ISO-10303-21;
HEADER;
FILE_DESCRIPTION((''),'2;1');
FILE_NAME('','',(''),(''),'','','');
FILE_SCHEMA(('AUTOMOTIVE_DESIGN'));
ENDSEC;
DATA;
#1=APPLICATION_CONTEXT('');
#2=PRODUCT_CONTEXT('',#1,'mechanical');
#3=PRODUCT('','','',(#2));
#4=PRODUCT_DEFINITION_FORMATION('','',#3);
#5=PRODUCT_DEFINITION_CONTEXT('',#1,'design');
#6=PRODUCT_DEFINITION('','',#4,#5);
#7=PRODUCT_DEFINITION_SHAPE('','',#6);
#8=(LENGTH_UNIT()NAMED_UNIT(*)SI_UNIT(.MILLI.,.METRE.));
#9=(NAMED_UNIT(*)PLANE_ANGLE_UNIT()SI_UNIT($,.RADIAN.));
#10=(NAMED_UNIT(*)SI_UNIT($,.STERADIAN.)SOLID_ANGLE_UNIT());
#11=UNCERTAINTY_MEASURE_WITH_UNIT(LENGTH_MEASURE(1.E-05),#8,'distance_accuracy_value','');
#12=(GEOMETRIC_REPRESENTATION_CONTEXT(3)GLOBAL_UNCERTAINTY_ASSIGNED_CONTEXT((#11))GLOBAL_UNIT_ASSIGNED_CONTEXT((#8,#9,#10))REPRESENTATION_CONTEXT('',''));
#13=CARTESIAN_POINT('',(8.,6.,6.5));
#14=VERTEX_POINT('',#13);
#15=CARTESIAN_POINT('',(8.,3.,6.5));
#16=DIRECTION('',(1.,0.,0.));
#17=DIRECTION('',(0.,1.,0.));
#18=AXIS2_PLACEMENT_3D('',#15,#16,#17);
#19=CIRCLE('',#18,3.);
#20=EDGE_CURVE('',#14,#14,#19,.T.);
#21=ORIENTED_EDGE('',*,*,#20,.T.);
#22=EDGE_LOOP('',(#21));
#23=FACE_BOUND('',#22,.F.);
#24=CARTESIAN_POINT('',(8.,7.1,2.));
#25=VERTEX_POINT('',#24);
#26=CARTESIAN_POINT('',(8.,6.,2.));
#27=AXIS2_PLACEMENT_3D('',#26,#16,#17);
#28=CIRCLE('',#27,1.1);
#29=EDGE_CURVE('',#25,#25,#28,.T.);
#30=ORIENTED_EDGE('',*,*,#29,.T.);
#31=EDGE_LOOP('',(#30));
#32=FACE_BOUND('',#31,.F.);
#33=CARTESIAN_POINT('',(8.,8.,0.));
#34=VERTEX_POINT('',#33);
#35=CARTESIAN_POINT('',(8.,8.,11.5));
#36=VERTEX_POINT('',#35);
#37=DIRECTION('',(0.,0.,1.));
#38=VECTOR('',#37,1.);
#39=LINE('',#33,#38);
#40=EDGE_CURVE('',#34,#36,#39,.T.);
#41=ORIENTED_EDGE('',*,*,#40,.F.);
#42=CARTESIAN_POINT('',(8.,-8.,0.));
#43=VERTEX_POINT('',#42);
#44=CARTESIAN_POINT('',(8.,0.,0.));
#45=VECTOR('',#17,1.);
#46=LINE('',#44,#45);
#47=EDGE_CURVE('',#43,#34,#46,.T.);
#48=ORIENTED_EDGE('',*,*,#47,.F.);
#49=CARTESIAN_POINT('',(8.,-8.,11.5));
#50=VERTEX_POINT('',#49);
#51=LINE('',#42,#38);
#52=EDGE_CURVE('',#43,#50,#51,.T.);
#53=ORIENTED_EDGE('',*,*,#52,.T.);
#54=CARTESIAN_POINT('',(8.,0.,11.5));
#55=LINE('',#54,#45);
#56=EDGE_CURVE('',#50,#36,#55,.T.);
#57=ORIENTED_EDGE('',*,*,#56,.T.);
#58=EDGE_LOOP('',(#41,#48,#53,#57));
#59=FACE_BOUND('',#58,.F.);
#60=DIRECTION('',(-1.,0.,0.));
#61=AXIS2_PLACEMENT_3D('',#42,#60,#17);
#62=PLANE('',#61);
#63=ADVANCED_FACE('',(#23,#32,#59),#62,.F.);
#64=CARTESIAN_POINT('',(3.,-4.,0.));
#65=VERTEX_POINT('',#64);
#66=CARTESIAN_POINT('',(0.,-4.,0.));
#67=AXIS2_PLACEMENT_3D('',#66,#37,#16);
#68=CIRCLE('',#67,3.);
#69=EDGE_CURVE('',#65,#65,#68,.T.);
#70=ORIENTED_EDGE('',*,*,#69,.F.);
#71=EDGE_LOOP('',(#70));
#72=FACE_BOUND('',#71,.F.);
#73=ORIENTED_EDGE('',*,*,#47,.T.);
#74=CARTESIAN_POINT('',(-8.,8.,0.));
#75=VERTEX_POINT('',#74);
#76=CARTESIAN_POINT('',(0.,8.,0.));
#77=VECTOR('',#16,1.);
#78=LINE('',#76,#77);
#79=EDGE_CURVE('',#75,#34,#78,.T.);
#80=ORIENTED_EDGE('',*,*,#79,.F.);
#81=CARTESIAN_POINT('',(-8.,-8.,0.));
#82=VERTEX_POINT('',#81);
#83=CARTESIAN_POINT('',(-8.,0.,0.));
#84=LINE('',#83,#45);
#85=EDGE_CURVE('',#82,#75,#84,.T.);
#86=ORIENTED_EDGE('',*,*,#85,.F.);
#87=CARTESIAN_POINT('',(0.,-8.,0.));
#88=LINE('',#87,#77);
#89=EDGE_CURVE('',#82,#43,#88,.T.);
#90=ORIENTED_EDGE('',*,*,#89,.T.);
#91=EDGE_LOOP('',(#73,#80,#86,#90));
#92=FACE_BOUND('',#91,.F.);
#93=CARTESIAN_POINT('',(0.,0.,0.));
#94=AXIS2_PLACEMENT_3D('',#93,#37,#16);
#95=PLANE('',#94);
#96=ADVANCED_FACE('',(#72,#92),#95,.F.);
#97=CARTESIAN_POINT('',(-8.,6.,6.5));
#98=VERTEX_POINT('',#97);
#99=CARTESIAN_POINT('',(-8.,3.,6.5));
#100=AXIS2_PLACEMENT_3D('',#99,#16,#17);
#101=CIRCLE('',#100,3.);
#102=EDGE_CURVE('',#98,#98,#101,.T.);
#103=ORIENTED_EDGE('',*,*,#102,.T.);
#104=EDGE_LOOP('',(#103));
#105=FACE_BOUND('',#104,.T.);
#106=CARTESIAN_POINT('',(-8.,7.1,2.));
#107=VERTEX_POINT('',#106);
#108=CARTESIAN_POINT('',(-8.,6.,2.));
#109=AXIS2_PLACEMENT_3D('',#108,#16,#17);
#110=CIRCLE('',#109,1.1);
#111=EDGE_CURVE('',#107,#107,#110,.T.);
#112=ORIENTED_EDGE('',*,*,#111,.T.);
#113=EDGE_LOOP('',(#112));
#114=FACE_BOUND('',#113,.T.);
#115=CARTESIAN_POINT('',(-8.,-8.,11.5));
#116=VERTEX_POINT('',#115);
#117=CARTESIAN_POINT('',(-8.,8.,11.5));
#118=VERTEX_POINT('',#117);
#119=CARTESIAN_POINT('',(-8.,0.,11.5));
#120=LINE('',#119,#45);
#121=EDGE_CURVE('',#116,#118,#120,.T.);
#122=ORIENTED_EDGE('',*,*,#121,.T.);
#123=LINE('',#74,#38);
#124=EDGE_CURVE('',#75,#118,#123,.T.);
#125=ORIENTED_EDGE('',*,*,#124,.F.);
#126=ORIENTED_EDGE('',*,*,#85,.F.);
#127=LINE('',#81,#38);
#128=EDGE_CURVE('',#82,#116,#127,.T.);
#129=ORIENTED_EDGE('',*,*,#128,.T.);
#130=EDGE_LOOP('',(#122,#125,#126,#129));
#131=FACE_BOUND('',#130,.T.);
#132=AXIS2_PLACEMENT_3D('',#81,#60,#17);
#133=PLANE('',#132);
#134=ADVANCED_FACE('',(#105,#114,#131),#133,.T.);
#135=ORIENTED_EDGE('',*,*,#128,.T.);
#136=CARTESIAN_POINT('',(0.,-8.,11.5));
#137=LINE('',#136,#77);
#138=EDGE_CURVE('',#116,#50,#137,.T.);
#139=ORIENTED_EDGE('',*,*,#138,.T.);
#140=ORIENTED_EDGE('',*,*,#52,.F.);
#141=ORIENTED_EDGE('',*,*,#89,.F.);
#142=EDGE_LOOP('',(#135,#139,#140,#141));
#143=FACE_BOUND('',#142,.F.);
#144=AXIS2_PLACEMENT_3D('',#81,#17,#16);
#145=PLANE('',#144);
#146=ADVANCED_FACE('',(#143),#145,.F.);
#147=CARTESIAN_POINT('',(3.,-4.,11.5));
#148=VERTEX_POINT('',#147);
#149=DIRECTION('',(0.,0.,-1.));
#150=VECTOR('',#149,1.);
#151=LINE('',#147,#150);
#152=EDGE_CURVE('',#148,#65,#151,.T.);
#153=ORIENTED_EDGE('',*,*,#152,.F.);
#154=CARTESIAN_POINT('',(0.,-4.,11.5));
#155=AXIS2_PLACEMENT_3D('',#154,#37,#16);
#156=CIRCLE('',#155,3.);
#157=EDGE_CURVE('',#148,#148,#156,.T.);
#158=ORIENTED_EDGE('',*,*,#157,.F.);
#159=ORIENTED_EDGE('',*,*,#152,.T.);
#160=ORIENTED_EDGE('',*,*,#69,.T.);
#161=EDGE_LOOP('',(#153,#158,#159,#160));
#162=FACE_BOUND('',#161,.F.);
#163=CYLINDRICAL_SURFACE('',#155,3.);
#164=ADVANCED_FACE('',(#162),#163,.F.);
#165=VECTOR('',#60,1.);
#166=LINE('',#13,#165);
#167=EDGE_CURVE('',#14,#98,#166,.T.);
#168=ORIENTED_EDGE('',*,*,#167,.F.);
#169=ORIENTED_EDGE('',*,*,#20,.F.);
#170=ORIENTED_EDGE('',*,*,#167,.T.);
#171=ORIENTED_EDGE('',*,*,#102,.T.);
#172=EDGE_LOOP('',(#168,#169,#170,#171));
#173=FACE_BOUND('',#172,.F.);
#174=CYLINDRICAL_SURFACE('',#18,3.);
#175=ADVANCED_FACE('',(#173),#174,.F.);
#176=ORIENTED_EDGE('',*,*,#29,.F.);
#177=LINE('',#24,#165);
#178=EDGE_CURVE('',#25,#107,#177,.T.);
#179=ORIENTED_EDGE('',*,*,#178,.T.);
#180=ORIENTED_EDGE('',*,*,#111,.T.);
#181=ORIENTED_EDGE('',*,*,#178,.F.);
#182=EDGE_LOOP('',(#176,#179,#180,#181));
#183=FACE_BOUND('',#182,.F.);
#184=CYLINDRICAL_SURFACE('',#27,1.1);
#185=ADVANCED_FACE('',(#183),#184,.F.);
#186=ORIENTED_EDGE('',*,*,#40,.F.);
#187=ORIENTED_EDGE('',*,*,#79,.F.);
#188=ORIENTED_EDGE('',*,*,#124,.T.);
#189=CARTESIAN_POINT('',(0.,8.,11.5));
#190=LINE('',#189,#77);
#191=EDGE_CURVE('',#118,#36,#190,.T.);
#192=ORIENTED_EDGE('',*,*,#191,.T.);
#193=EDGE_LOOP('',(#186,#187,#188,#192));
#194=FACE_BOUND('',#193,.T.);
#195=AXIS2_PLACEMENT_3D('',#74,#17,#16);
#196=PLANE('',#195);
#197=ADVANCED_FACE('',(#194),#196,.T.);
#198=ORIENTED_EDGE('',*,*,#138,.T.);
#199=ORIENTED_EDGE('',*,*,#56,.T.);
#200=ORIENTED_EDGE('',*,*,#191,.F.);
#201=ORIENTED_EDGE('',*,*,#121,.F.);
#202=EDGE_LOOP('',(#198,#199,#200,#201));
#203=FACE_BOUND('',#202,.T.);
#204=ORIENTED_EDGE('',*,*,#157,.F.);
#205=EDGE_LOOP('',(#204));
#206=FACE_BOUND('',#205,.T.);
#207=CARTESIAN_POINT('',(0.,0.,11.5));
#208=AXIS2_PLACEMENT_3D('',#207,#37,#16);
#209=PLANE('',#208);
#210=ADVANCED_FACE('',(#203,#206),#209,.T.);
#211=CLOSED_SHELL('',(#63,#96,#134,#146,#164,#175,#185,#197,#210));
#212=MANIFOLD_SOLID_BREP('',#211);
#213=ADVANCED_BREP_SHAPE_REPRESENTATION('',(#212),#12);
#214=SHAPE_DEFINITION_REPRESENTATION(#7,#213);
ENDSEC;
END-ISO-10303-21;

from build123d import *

# Parameters (mm, degrees)
F0_W     = 16
F0_H     = 16
F1_DEPTH = 11.5
F2_R     = 3
F3_DEPTH = 25
F4_R     = 3
F4_R_2   = 1.1
F5_DEPTH = 16.001


with BuildPart() as f1:
    # F0 (on Top) → F1 (new body)
    with BuildSketch(Plane.XY):
        Rectangle(F0_W, F0_H)
    extrude(amount=F1_DEPTH)

    # F2 (on face) → F3 (cut)
    with BuildSketch(Plane.XY.offset(11.5)):
        with Locations((0, -4)):
            Circle(F2_R)
    extrude(amount=-F3_DEPTH, mode=Mode.SUBTRACT)

    # F4 (on face) → F5 (cut, through all)
    with BuildSketch(Plane.YZ.offset(8)):
        with Locations((3, 6.5)):
            Circle(F4_R)
        with Locations((6, 2)):
            Circle(F4_R_2)
    extrude(amount=-F5_DEPTH, mode=Mode.SUBTRACT)


solid = f1.part
